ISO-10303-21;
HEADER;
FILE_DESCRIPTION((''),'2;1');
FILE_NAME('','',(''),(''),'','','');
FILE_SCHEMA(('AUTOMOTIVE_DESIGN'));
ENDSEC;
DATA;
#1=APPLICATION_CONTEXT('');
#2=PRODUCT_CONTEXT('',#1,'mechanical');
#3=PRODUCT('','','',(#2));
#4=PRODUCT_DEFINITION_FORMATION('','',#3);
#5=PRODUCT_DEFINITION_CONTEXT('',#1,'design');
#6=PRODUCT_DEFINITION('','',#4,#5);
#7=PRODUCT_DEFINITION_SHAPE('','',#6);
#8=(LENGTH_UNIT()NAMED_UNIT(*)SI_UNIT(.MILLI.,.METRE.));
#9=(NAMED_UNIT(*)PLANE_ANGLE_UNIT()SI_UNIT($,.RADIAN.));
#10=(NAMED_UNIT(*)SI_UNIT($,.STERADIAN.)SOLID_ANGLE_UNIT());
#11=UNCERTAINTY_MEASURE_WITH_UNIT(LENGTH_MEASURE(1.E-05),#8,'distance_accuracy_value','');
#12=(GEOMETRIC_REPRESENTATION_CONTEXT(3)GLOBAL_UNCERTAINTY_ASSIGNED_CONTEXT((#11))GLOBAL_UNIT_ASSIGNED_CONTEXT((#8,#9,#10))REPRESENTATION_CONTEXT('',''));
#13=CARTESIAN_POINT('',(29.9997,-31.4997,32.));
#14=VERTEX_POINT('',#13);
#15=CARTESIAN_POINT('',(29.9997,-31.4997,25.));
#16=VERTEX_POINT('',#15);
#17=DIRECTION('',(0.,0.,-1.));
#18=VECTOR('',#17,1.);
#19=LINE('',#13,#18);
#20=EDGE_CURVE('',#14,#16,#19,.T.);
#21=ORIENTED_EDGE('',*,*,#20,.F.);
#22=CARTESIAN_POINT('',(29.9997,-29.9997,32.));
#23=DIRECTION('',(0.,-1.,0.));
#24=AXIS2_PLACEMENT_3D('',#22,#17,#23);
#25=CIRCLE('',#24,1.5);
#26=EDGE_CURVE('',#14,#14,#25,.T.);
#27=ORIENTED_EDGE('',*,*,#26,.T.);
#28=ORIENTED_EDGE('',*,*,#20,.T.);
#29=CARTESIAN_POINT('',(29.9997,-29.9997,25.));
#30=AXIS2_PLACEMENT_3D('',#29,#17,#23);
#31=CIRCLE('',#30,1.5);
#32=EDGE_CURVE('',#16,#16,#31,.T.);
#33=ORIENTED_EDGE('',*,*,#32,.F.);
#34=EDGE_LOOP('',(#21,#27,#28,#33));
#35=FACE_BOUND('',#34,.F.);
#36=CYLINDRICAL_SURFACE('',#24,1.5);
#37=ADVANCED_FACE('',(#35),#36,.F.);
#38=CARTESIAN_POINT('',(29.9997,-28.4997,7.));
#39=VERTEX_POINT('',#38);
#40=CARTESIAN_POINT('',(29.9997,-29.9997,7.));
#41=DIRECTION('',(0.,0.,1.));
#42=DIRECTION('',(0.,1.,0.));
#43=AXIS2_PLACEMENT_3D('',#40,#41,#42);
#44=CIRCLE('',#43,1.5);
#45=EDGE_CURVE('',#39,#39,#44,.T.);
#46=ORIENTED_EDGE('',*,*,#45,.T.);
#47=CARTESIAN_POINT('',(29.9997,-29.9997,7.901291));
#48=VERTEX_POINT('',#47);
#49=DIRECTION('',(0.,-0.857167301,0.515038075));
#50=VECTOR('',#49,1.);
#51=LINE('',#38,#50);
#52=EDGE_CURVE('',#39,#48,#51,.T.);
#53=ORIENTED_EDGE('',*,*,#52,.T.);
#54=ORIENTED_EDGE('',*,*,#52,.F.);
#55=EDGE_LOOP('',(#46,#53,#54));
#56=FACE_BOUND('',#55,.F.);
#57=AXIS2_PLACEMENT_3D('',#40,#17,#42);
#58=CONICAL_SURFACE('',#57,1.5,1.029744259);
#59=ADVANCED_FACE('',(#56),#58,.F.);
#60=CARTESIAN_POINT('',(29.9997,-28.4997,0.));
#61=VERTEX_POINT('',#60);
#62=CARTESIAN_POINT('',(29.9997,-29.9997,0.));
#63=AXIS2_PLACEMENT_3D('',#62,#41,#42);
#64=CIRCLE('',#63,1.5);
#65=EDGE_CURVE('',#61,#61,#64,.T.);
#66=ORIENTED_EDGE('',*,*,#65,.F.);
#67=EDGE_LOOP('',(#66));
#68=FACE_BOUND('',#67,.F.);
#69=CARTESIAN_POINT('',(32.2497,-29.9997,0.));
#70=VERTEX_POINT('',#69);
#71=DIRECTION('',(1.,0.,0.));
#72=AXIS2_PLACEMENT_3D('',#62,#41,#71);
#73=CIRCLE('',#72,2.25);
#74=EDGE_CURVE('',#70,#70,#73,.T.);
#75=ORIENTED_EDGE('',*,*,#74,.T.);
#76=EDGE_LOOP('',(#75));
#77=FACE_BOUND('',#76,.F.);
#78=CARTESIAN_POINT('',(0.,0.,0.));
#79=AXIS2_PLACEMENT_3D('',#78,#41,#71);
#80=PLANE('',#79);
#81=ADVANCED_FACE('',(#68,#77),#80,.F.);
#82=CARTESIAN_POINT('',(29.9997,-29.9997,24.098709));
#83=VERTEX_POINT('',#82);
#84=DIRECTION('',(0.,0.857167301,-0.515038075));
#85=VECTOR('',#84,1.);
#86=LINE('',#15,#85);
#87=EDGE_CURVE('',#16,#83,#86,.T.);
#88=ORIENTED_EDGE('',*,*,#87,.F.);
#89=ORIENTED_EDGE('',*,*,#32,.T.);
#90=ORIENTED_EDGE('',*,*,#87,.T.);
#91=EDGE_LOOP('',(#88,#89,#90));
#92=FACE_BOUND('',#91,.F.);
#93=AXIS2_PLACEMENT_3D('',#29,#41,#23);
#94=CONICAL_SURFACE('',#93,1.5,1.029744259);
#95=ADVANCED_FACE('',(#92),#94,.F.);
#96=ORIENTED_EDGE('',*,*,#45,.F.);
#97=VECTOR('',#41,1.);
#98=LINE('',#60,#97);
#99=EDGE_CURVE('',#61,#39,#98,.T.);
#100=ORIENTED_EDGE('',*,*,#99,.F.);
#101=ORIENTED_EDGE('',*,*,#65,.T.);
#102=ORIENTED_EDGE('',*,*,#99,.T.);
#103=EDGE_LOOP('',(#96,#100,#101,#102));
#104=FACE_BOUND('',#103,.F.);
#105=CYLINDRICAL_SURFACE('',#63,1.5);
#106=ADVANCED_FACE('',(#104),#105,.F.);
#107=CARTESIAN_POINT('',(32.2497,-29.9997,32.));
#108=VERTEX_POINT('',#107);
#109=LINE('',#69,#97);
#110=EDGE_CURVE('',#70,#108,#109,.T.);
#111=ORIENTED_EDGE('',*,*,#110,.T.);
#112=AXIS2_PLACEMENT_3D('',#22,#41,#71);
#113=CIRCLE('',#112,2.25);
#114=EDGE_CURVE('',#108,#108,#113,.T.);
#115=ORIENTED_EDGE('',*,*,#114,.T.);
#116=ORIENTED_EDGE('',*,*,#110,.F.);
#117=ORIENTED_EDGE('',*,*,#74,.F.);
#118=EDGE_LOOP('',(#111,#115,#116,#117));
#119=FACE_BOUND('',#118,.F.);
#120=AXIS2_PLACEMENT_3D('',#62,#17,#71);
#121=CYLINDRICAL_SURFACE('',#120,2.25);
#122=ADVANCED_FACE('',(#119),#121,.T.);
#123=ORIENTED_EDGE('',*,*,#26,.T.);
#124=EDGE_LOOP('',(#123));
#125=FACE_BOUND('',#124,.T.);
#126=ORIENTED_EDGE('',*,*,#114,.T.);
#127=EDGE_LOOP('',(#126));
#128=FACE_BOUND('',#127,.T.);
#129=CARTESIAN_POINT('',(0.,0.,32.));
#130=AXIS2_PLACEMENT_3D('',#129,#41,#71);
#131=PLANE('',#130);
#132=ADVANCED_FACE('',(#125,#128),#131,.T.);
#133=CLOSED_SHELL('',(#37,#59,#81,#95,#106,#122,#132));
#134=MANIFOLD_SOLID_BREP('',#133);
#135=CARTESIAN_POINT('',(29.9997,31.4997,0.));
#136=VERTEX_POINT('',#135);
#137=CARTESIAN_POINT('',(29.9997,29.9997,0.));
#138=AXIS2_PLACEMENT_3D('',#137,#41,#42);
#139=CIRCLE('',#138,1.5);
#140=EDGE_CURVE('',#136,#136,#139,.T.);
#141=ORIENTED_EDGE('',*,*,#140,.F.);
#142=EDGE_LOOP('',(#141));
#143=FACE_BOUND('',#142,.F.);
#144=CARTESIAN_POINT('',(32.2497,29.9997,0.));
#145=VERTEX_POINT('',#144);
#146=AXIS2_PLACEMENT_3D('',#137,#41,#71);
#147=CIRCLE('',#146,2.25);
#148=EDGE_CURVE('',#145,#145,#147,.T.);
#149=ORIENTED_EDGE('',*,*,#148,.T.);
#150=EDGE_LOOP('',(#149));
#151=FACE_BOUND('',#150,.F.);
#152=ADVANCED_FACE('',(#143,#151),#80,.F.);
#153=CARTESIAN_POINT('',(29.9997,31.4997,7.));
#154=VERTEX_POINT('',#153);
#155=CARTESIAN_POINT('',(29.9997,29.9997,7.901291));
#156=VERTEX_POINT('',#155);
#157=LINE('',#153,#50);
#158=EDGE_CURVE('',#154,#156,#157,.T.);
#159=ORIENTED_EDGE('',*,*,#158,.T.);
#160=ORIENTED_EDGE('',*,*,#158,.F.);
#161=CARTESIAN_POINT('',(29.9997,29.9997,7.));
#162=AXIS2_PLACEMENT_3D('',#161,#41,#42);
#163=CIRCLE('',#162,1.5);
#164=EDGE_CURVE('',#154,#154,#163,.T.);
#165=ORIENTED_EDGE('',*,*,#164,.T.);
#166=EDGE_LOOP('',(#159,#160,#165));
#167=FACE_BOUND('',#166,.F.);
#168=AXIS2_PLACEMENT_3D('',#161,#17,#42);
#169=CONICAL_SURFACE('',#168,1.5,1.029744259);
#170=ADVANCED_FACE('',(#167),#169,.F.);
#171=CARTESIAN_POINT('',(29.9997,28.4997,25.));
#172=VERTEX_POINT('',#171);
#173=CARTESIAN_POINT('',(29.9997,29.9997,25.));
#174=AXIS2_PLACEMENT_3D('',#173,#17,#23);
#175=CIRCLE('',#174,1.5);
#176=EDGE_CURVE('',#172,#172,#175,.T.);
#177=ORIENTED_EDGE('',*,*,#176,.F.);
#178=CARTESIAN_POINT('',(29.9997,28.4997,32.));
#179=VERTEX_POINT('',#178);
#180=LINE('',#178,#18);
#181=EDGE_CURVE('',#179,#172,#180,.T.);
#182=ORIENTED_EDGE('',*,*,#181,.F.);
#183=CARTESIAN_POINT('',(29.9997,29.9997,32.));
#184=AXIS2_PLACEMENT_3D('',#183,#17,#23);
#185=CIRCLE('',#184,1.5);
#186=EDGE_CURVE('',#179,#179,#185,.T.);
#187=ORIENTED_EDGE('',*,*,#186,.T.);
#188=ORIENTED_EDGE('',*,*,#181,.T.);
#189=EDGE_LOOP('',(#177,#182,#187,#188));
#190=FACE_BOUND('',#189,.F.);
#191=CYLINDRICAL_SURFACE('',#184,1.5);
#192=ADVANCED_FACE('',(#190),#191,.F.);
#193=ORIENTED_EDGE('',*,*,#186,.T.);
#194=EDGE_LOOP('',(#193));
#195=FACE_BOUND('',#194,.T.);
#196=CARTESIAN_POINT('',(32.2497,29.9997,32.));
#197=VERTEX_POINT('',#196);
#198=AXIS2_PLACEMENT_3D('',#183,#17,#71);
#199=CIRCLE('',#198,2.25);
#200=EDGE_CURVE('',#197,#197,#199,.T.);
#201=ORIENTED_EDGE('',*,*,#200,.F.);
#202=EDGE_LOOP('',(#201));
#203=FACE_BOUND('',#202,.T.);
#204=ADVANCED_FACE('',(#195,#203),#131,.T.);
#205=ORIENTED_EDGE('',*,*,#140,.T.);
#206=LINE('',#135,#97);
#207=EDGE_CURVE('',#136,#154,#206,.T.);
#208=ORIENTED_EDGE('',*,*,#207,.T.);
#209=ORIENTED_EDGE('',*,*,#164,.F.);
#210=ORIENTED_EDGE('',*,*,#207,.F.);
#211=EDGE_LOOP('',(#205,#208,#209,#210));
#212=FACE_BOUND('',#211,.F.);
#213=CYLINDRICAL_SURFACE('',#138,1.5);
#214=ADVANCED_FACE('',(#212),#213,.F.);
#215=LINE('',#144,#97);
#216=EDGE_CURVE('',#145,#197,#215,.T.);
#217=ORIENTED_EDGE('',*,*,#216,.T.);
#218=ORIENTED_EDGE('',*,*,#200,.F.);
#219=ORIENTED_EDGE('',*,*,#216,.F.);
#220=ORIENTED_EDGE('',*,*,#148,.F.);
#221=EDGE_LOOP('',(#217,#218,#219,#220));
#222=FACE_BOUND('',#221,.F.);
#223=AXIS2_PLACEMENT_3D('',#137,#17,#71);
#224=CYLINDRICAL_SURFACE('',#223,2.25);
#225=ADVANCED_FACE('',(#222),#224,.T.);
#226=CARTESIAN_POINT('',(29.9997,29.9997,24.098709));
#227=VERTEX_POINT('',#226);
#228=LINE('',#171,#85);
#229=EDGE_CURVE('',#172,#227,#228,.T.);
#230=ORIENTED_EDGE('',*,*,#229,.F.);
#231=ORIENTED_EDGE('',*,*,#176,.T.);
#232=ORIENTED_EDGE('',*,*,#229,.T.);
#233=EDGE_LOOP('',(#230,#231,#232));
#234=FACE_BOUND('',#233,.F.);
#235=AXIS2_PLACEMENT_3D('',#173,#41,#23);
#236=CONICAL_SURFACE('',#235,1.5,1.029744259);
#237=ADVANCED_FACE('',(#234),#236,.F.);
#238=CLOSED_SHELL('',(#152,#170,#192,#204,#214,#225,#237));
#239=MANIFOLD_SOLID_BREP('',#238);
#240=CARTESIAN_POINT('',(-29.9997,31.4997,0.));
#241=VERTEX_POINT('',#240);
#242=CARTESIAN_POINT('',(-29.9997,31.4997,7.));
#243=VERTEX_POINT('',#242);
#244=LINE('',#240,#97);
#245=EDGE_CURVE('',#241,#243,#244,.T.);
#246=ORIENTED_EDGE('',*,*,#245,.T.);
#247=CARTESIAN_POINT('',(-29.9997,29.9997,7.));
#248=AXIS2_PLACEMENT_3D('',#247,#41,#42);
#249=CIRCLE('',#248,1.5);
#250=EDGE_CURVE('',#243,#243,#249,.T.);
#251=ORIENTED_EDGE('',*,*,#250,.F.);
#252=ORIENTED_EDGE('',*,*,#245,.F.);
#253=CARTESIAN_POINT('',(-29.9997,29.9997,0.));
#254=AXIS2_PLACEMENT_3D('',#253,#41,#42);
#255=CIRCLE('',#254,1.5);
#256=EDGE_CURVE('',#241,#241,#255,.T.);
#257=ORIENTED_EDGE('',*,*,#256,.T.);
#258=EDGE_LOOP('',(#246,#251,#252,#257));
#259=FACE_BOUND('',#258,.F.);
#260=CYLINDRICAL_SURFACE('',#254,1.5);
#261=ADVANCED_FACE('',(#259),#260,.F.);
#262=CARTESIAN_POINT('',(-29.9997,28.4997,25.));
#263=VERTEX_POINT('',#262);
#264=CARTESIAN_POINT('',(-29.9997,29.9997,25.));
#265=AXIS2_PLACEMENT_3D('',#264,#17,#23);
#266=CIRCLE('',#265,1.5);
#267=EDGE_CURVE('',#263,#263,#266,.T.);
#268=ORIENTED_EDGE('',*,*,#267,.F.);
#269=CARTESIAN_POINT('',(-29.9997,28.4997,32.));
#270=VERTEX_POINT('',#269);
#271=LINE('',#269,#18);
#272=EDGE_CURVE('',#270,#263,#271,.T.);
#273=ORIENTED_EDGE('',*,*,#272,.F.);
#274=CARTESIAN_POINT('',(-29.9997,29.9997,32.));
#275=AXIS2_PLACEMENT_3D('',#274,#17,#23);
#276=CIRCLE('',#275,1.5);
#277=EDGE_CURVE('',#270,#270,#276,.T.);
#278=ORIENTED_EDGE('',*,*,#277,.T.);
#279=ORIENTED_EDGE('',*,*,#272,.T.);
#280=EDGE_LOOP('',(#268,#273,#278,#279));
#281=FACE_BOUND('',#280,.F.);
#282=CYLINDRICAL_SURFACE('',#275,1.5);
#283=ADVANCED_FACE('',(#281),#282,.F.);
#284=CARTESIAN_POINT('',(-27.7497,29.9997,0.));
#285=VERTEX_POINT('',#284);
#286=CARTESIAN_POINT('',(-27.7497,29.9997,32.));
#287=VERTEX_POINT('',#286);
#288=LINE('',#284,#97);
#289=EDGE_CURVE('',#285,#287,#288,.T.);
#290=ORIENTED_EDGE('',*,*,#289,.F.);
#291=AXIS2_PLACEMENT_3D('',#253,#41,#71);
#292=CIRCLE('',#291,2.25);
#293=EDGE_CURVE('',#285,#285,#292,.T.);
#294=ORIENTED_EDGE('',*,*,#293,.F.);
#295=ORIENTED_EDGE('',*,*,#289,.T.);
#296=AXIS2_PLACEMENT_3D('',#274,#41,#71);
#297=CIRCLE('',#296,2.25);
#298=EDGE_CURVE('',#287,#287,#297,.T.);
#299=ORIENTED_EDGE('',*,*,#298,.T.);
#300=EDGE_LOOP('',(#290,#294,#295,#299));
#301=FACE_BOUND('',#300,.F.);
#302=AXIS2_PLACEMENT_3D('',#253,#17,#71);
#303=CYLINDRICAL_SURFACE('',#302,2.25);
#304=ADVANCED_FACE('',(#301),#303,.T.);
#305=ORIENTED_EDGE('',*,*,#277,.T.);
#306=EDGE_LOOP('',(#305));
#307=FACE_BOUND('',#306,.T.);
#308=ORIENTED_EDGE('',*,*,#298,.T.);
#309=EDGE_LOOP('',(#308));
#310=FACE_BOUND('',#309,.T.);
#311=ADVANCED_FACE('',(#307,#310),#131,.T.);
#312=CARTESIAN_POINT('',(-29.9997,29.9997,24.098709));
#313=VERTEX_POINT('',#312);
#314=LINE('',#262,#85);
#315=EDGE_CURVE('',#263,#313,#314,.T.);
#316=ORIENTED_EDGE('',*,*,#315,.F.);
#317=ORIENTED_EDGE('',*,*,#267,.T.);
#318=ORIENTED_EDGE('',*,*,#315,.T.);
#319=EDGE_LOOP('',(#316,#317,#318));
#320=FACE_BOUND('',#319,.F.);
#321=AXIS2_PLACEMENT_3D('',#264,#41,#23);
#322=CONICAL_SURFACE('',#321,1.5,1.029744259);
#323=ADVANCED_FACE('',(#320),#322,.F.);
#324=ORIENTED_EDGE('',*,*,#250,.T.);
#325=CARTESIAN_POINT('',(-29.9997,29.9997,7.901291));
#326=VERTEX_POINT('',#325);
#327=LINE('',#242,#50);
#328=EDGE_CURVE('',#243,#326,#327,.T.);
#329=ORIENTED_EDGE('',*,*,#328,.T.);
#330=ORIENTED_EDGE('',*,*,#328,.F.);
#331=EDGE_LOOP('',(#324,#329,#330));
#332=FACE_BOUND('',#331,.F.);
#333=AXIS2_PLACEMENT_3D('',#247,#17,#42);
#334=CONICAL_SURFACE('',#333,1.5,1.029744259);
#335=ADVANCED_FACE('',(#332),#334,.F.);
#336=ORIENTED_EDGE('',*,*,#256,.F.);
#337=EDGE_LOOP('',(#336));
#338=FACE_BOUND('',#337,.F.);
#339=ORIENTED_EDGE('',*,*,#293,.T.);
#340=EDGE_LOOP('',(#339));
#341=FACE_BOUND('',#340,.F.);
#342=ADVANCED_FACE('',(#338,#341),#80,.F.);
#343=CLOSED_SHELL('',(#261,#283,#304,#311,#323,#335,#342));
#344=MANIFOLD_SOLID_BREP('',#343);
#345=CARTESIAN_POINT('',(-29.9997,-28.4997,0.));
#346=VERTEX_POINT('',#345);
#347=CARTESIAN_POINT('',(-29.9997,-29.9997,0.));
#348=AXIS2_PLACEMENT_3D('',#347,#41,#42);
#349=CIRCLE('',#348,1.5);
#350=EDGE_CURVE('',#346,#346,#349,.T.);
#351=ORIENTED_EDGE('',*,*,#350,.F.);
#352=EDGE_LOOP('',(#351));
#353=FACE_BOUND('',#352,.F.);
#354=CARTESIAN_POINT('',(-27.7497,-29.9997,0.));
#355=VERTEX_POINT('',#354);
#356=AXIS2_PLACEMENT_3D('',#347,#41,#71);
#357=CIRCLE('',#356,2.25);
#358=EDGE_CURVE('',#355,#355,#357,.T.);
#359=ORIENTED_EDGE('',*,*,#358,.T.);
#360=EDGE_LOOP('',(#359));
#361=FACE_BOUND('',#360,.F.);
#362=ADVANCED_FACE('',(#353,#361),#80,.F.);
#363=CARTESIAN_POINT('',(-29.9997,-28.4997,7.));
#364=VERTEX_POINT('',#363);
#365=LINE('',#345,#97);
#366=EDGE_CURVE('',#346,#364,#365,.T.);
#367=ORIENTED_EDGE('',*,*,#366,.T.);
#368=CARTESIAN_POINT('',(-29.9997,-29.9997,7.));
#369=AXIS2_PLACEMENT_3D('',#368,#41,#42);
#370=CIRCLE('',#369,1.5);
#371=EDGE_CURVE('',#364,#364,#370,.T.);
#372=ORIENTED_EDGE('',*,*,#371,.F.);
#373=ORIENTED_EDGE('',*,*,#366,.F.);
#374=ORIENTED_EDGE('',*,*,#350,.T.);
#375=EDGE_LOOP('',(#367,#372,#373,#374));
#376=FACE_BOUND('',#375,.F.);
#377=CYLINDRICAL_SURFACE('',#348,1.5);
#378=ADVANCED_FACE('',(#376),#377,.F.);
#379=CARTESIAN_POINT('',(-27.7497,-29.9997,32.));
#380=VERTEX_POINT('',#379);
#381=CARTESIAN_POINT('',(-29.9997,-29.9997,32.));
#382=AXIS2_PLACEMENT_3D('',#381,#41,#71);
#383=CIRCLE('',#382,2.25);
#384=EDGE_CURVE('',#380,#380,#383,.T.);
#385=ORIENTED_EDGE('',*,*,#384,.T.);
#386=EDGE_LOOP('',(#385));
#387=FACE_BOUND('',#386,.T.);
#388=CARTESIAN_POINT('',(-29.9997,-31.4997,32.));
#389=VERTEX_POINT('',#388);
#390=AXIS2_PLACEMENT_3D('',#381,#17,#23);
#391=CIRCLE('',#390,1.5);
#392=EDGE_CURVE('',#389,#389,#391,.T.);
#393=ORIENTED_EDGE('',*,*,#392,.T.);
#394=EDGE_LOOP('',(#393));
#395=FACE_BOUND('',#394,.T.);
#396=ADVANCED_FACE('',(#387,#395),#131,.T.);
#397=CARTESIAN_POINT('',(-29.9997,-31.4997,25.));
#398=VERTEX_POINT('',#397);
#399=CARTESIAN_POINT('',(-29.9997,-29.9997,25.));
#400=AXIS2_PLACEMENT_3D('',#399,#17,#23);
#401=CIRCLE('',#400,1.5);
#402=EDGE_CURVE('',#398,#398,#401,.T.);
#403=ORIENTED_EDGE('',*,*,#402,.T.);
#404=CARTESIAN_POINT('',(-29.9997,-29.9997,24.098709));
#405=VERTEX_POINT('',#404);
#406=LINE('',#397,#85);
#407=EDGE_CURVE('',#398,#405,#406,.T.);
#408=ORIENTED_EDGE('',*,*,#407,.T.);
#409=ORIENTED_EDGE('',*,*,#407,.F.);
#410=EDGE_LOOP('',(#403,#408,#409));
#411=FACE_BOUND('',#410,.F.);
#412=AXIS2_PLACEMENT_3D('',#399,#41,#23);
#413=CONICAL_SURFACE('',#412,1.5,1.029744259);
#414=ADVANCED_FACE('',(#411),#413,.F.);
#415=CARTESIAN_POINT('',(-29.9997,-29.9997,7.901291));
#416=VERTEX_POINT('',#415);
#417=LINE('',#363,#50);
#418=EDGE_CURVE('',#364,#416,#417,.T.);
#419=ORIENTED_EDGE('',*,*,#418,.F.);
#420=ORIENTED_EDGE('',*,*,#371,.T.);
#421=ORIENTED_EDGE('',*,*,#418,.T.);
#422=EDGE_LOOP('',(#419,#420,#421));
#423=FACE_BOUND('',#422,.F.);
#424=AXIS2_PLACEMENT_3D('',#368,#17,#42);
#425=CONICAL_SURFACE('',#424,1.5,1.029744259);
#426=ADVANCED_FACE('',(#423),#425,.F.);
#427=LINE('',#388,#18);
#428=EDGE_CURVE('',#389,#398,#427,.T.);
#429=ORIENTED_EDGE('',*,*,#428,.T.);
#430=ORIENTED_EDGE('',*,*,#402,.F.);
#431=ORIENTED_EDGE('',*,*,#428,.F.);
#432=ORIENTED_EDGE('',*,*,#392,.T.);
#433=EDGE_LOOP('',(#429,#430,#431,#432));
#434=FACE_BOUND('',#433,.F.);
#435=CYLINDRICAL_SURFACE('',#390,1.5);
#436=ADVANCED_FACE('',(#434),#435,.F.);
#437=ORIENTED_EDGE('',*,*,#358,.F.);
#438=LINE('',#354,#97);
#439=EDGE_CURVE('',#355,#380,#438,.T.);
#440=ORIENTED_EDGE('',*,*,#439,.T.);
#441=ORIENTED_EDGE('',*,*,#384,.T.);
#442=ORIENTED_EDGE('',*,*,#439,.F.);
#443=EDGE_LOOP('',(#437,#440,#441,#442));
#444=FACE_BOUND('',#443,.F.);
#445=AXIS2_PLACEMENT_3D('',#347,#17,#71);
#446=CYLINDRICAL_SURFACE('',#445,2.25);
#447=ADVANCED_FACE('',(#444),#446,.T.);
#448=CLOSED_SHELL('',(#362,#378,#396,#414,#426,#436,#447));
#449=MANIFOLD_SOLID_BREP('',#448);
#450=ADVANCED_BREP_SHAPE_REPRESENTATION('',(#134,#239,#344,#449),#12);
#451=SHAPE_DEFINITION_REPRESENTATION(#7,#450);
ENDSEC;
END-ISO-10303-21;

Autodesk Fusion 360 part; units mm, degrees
sketch "Sketch1" plane through (0, 0, 0) normal (0, 0, 1) x (1, 0, 0)
  line L0 (0, 0) -> (29.9997, 29.9997)
  line L1 (0, 0) -> (42.426, 0) construction
  circle A0 centre (29.9997, 29.9997) radius 2.25
  circle A1 centre (29.9997, -29.9997) radius 2.25
  line L2 (0, 0) -> (0, 45)
  circle A2 centre (-29.9997, 29.9997) radius 2.25
  circle A3 centre (-29.9997, -29.9997) radius 2.25
  dimension "d1" = 42.426
  dimension "d2" = 45
  dimension "d3" = 4.5
extrude "Extrude1" add sketch "Sketch1" along normal blind 40 makes body 1 at (-27.7525, 29.8876, 26.6667) makes body 2 at (-27.7525, -30.1119, 26.6667) makes body 3 at (32.2385, 30.2237, 26.6667) makes body 4 at (32.2469, -30.1119, 26.6667)
extrude "Extrude2" cut 4 faces at (-31.2583, 30.3025, 40) (30.6527, 30.6433, 40) (-31.0353, -29.6803, 40) (29.6247, -30.6492, 40) along direction (0, 0, -1) blind 8 on bodies 1 2 3 4 bodies 1 2 3 4
hole "Hole1" at (-29.9997, 29.9997, 32) direction (0, 0, -1) diameter 3 depth 7 tip angle 118 bodies 1
hole "Hole2" at (29.9997, 29.9997, 32) direction (0, 0, -1) diameter 3 depth 7 tip angle 118 bodies 3
hole "Hole3" at (29.9997, -29.9997, 32) direction (0, 0, -1) diameter 3 depth 7 tip angle 118 bodies 4
hole "Hole4" at (-29.9997, -29.9997, 32) direction (0, 0, -1) diameter 3 depth 7 tip angle 118 bodies 2
hole "Hole5" at (-29.9997, -29.9997, 0) direction (0, 0, 1) diameter 3 depth 7 tip angle 118 bodies 2
hole "Hole6" at (29.9997, -29.9997, 0) direction (0, 0, 1) diameter 3 depth 7 tip angle 118 bodies 4
hole "Hole7" at (29.9997, 29.9997, 0) direction (0, 0, 1) diameter 3 depth 7 tip angle 118 bodies 3
hole "Hole8" at (-29.9997, 29.9997, 0) direction (0, 0, 1) diameter 3 depth 7 tip angle 118 bodies 1
sketch "Sketch2" plane through (0, 0, 0) normal (0, 0, 1) x (1, 0, 0)
  circle A0 centre (0, 0) radius 1.75
  dimension "d33" = 3.5
